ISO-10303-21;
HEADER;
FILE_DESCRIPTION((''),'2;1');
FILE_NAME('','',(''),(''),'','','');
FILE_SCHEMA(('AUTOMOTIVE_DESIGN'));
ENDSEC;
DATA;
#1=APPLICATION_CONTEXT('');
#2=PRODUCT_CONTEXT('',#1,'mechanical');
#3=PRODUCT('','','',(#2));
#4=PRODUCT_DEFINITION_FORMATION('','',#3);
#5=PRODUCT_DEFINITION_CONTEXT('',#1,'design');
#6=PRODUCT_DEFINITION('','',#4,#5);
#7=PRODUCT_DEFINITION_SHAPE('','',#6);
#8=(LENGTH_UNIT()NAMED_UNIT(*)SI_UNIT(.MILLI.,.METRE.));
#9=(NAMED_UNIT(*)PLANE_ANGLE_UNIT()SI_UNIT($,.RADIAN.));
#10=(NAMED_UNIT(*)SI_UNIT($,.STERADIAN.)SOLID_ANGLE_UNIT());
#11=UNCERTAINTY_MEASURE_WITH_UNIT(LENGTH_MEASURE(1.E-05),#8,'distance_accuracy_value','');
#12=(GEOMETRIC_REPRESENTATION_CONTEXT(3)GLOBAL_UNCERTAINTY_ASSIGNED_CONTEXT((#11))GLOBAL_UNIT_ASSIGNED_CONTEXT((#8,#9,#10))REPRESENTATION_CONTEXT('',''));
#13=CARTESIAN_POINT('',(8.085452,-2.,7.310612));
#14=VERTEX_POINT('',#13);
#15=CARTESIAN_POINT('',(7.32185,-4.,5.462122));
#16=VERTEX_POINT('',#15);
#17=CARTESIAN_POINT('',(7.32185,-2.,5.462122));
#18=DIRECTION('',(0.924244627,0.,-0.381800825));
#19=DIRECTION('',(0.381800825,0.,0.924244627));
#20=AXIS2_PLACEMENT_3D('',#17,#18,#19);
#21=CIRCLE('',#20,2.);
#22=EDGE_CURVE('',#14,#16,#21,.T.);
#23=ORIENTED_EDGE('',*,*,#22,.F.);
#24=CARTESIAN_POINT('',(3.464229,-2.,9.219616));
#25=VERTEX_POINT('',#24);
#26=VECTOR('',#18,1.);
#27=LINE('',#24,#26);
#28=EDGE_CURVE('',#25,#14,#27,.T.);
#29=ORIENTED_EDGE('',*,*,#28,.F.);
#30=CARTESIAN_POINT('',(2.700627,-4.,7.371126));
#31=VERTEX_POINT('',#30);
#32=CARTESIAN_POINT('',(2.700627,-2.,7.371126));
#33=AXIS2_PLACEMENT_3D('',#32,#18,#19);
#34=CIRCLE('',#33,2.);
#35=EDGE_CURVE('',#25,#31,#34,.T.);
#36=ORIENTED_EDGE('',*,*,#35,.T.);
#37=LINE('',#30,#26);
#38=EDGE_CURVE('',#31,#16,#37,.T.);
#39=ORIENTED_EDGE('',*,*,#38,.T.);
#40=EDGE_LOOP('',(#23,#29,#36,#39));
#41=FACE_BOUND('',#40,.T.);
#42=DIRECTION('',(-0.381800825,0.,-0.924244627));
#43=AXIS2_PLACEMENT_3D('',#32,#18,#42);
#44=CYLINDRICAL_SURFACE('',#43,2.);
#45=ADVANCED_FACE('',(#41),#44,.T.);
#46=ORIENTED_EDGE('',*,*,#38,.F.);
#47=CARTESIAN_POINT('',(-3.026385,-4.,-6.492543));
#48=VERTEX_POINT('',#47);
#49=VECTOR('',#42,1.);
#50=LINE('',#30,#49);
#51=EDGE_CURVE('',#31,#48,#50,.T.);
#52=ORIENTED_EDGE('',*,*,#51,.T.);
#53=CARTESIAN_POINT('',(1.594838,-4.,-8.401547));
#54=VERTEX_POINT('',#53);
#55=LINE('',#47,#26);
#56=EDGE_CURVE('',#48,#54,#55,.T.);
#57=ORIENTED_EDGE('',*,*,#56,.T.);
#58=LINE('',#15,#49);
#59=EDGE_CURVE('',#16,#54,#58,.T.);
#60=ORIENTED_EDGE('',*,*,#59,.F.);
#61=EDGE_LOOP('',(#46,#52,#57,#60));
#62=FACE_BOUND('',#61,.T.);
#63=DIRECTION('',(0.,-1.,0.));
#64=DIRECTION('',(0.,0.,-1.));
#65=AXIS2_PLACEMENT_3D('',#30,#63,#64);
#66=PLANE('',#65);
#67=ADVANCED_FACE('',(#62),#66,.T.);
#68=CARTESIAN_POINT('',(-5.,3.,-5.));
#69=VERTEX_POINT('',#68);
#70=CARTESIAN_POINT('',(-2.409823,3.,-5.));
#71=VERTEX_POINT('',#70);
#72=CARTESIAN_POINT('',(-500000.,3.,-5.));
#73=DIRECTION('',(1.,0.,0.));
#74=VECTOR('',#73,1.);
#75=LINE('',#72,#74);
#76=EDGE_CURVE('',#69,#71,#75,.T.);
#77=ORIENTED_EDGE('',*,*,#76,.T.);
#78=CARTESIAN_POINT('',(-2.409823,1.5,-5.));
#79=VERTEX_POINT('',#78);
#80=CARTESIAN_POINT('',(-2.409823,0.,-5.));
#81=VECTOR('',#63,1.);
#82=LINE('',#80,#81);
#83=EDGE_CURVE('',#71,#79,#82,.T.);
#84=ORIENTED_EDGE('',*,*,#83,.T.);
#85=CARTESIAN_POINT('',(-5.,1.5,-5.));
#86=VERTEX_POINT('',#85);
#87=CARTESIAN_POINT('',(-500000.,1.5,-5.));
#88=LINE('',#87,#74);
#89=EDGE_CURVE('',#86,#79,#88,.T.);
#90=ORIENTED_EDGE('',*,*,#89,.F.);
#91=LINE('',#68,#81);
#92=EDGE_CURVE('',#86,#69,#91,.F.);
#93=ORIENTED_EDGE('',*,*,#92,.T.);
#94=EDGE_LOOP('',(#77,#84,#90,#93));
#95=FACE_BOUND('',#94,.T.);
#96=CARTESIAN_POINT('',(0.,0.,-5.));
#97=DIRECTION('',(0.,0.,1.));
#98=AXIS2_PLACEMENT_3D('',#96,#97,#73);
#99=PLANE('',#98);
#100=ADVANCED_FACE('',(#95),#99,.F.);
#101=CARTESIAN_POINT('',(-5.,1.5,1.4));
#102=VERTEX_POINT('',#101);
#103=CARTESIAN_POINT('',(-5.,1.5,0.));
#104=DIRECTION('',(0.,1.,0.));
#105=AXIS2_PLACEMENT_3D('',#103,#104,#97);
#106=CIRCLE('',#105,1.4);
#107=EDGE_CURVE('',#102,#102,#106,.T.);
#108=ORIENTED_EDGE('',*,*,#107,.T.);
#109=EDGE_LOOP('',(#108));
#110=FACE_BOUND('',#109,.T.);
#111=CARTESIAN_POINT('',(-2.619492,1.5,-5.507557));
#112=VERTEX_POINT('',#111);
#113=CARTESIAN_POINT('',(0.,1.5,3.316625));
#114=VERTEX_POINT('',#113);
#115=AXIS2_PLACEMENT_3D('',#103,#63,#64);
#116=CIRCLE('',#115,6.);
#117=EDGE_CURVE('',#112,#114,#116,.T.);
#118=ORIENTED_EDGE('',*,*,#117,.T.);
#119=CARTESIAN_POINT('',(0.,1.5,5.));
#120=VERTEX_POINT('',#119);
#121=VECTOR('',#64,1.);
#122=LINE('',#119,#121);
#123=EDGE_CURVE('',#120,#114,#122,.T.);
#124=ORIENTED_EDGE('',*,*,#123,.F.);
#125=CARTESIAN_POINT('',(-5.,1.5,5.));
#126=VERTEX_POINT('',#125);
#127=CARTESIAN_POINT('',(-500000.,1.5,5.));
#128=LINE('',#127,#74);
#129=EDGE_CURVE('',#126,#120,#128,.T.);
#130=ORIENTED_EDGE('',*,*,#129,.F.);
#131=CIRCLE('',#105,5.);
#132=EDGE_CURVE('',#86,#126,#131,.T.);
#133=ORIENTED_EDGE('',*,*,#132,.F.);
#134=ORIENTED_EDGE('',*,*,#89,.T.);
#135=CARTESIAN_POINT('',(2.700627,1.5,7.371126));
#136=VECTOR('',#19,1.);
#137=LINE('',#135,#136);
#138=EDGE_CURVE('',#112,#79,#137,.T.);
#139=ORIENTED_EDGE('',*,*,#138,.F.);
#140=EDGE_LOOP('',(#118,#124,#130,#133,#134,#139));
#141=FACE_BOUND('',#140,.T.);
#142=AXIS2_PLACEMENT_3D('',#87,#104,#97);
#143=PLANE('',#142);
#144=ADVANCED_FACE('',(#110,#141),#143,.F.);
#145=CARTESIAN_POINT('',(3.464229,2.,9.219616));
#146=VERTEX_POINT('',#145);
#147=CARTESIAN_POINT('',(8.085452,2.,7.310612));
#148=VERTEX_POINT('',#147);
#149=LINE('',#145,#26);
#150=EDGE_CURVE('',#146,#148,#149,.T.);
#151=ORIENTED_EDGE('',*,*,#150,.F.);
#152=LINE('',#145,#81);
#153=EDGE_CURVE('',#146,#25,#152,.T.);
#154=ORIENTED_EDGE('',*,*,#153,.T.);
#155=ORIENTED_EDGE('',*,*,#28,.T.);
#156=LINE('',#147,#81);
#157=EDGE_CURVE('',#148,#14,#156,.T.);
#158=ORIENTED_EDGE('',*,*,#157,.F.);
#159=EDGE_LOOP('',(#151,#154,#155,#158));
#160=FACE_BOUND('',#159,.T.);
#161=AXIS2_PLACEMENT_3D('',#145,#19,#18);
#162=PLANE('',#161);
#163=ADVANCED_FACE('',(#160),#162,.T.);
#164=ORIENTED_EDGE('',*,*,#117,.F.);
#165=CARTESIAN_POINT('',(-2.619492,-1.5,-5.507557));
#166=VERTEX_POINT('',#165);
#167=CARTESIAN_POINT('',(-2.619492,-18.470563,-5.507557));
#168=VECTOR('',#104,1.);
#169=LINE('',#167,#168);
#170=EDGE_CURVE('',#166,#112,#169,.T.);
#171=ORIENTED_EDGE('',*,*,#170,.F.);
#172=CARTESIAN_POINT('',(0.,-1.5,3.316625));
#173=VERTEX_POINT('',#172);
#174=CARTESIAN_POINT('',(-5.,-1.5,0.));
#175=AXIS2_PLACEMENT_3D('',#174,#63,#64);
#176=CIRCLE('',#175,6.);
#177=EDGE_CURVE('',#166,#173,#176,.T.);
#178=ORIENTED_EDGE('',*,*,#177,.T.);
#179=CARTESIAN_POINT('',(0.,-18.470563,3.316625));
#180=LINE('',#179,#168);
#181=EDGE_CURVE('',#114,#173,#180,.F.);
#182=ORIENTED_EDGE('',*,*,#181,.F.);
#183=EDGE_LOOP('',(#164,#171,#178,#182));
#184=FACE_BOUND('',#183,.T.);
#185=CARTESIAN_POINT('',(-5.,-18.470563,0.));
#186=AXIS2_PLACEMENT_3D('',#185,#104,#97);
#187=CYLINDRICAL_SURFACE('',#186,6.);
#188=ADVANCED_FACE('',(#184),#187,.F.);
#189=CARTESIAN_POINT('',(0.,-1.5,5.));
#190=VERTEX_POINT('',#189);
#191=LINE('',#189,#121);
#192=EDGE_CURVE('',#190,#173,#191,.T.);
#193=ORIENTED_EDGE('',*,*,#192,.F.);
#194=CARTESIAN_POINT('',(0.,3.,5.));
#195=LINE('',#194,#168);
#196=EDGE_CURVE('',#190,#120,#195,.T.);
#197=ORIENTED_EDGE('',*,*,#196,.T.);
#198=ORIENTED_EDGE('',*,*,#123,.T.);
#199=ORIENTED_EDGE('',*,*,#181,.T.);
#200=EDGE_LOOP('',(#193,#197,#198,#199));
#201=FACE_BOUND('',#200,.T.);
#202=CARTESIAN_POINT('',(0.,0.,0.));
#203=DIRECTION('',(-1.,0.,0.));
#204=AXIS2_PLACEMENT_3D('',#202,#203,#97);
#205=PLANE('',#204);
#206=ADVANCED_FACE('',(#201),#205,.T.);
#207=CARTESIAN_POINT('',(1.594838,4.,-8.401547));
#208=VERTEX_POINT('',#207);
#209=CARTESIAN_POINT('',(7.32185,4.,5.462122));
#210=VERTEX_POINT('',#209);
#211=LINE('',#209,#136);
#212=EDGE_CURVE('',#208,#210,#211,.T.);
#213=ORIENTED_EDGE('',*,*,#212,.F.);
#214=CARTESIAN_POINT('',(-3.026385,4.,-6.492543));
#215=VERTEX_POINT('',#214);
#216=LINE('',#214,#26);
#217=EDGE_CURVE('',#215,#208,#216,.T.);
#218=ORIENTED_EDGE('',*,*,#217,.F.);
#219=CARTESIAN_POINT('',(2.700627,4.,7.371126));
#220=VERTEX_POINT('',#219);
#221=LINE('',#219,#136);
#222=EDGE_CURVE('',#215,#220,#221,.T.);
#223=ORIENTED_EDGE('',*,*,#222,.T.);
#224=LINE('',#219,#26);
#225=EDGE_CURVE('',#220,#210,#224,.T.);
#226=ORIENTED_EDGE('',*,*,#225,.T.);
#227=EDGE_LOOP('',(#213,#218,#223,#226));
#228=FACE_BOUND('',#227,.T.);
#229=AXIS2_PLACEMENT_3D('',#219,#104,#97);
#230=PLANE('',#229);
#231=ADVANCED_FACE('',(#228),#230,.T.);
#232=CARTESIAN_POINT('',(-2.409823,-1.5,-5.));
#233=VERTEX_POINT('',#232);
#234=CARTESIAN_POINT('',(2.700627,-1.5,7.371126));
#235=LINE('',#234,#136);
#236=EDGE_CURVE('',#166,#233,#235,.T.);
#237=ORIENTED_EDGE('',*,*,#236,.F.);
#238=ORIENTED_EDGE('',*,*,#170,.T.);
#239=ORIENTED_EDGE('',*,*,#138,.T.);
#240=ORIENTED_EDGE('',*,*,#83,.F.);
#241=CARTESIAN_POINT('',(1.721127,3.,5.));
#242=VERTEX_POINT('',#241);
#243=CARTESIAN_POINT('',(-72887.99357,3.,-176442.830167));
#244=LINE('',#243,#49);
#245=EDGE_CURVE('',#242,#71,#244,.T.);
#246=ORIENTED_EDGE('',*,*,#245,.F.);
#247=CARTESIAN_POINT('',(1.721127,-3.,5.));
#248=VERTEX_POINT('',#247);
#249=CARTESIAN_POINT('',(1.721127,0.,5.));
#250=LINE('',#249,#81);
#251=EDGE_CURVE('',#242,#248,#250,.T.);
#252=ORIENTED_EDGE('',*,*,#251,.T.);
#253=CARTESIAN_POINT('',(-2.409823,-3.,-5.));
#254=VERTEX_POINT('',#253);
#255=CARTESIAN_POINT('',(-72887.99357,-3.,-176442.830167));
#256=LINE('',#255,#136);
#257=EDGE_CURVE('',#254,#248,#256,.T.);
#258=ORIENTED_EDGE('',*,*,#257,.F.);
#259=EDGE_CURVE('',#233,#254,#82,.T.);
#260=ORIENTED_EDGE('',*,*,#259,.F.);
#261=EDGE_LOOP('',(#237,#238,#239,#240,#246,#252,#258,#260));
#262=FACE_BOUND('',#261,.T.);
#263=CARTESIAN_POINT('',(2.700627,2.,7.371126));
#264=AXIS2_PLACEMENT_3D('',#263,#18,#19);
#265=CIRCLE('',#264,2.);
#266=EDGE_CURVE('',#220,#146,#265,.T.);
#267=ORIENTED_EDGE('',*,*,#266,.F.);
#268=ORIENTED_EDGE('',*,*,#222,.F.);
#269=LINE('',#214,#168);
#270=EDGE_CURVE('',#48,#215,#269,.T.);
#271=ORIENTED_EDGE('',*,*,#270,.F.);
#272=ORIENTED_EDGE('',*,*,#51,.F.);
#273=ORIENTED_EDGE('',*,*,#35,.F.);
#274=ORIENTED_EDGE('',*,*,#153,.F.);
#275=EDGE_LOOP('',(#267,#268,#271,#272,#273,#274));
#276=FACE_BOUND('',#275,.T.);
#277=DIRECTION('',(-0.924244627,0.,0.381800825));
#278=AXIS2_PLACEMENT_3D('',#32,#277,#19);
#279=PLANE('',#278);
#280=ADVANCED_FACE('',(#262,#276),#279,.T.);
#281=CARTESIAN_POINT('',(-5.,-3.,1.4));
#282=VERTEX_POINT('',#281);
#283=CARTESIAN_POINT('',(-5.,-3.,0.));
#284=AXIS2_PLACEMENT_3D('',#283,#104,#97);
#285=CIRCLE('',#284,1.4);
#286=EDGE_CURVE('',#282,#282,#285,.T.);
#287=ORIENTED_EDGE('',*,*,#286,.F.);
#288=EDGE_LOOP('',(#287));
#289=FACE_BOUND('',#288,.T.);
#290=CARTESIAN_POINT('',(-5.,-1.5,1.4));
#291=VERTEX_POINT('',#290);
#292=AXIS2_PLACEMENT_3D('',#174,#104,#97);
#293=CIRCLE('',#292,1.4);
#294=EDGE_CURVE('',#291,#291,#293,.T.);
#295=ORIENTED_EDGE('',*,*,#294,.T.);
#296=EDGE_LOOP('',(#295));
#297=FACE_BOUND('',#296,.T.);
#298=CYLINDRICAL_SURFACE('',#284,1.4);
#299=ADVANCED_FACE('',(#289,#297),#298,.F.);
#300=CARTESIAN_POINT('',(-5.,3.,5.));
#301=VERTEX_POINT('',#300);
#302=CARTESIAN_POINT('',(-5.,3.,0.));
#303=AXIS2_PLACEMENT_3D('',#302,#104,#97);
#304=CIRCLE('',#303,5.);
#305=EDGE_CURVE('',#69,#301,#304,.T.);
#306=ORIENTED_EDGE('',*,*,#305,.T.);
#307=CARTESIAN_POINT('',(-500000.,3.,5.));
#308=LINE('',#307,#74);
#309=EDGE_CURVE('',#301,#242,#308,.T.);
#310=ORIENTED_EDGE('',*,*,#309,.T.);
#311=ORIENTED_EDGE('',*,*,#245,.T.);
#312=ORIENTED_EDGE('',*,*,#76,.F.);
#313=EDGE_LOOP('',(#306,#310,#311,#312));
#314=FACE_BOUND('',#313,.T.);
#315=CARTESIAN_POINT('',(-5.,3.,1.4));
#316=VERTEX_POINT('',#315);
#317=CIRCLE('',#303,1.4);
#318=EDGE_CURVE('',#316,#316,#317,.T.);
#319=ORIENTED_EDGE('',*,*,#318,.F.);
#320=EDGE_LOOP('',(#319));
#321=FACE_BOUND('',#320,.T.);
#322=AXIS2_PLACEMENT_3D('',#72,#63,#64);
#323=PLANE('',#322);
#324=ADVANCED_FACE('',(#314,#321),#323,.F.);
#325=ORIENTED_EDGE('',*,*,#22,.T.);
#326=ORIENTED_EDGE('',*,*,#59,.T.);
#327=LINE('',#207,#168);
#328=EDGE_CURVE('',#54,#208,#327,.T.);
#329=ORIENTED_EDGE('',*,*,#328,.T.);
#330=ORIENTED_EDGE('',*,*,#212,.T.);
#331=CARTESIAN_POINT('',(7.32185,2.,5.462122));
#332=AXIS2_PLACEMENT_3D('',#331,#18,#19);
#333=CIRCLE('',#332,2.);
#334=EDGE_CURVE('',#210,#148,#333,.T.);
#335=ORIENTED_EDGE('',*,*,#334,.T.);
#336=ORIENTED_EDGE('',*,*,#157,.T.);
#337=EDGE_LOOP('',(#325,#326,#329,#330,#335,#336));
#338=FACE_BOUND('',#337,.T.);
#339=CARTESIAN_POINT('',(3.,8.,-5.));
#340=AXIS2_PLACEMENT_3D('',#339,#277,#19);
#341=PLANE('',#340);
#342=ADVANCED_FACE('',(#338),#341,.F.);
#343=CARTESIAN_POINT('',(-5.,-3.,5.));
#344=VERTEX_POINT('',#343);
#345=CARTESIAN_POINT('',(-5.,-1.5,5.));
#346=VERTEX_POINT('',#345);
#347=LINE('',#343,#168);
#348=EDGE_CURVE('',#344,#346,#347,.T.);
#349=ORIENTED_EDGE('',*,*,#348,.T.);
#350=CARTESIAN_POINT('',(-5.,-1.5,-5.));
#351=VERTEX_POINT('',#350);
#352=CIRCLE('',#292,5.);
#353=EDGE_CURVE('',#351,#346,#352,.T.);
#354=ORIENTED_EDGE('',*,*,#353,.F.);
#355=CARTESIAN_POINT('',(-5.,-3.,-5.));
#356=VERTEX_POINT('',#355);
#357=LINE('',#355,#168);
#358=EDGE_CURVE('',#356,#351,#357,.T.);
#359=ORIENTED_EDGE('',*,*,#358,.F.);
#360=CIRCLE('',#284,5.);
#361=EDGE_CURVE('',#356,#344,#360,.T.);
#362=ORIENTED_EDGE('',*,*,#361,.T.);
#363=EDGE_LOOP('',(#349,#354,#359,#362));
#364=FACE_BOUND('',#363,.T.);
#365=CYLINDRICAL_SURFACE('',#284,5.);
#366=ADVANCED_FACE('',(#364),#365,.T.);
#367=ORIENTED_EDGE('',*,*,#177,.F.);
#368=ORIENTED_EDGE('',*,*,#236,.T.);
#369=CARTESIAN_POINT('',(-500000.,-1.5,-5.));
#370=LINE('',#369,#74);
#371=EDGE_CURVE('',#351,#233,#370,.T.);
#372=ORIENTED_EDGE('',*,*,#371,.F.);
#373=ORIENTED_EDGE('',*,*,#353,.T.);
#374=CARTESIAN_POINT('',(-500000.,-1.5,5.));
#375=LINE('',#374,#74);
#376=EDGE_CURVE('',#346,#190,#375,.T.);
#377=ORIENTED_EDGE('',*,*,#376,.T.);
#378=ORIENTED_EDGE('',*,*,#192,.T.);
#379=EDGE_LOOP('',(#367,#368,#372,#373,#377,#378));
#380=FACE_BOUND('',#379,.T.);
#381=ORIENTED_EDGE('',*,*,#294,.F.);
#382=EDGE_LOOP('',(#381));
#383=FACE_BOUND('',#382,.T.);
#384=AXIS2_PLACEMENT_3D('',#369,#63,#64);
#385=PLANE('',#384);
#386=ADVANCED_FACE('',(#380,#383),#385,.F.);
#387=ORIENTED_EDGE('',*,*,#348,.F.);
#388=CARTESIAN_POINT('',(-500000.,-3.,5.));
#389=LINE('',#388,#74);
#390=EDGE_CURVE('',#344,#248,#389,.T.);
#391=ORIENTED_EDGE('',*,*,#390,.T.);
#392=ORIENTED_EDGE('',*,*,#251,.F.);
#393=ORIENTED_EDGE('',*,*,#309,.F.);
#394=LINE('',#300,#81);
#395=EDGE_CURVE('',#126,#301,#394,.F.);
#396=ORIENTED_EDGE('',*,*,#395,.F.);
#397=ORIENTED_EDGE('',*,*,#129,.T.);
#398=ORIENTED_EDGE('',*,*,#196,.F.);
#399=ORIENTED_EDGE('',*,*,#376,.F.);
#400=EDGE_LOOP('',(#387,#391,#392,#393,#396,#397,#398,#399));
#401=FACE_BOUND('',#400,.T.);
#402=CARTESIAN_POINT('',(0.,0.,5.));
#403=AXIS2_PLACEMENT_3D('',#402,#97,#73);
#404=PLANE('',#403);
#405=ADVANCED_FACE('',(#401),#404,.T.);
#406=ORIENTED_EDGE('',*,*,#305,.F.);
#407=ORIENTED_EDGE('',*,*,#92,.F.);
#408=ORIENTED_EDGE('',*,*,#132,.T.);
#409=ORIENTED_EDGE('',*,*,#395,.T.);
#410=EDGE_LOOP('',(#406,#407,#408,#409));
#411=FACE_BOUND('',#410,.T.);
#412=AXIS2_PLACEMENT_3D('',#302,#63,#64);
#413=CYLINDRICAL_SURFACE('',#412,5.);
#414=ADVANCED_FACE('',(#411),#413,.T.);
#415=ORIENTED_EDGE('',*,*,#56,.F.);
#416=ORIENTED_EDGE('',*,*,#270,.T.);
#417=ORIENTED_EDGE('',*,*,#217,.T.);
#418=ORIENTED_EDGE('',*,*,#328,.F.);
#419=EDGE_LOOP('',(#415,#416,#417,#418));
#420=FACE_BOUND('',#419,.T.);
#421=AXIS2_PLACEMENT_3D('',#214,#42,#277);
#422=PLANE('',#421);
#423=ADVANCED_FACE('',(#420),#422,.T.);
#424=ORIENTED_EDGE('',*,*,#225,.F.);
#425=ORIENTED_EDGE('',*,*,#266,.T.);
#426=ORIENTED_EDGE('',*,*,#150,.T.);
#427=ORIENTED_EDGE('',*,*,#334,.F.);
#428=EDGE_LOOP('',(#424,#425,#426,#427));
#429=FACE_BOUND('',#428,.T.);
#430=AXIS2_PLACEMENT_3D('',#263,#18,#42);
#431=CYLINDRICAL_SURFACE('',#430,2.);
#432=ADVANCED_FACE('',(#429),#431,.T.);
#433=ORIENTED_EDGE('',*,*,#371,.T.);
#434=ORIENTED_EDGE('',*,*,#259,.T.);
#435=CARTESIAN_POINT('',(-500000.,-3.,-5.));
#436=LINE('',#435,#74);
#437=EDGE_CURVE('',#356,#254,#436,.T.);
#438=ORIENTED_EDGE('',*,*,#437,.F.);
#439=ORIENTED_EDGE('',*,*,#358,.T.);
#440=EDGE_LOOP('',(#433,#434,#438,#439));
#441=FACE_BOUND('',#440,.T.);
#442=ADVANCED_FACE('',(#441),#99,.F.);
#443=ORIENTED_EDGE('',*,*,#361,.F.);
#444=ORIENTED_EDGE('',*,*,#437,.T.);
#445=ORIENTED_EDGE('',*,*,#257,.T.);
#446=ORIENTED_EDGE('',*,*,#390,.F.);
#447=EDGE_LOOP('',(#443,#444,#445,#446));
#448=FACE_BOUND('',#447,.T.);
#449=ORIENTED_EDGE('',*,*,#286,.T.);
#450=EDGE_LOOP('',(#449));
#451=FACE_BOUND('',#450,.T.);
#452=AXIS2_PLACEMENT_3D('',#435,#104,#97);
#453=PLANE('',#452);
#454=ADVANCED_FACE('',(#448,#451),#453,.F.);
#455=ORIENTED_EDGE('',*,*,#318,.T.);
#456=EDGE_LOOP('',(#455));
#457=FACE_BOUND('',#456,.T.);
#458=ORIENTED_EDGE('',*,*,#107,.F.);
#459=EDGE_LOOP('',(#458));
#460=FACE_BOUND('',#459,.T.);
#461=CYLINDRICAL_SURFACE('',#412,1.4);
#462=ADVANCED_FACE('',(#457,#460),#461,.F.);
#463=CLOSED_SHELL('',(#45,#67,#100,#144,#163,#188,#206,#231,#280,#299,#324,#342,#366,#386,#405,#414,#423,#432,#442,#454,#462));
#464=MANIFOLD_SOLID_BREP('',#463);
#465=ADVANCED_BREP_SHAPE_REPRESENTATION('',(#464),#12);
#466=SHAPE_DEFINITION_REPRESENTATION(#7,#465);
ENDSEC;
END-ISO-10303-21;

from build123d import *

# Parameters (mm, degrees)
BOSS_EXTRUDE1_DEPTH          = 5
SKETCH2_R                    = 5
SKETCH2_R_2                  = 1.4
BOSS_EXTRUDE2_DEPTH          = 1.5
BOSS_EXTRUDE3_REACH          = 13.576
SKETCH4_W                    = 10
SKETCH4_H                    = 1.5
SKETCH6_R                    = 5
SKETCH6_R_2                  = 1.4
BOSS_EXTRUDE4_DEPTH          = 1.5
BOSS_EXTRUDE5_REACH          = 13.576
SKETCH5_W                    = 10
SKETCH5_H                    = 1.5
SCHIZZO1_W                   = 10
SCHIZZO1_H                   = 6
ESTRUSIONE_ESTRUSIONE2_DEPTH = 11
TAGLIO_ESTRUSIONE1_DEPTH     = 11
ESTRUSIONE_ESTRUSIONE3_DEPTH = 5
SCHIZZO4_R                   = 6
TAGLIO_ESTRUSIONE2_DEPTH     = 3


with BuildPart() as part:
    # Sketch1 → Boss-Extrude1 (new, symmetric)
    with BuildSketch(Plane.XY):
        with BuildLine():
            Line((0, 3), (0, 1.5))
            ThreePointArc((0, 1.5), (1.5, 0), (0, -1.5))
            Line((0, -1.5), (0, -3))
            ThreePointArc((0, -3), (3, 0), (0, 3))
        make_face()
    extrude(amount=BOSS_EXTRUDE1_DEPTH, both=True)


with BuildPart() as body_2:
    # Sketch2 → Boss-Extrude2 (new body)
    with BuildSketch(Plane(origin=(0, 1.5, 0), x_dir=(1, 0, 0), z_dir=(0, 1, 0))):
        with Locations(Location((-5, 0, 0), (0, 0, 270))):
            Circle(SKETCH2_R)
        with Locations(Location((-5, 0, 0), (0, 0, 270))):
            Circle(SKETCH2_R_2, mode=Mode.SUBTRACT)
    extrude(amount=BOSS_EXTRUDE2_DEPTH)

    # Sketch4 → Boss-Extrude3 (add, up to next)
    with BuildSketch(Plane.ZY, mode=Mode.PRIVATE) as boss_extrude3_sk1:
        with Locations((0, 2.25)):
            Rectangle(SKETCH4_W, SKETCH4_H)
    boss_extrude3_tool1 = extrude(boss_extrude3_sk1.sketch, amount=BOSS_EXTRUDE3_REACH, mode=Mode.PRIVATE) - body_2.part

    add(part.part)  # Boss-Extrude3 merges part
    add(boss_extrude3_tool1.solids().sort_by_distance((0, 2.25, 0))[0])
    add(boss_extrude3_tool1.solids().sort_by_distance((0, 2.25, 0))[1])


with BuildPart() as body_2_2:
    # Sketch6 → Boss-Extrude4 (new body)
    with BuildSketch(Plane(origin=(0, -1.5, 0), x_dir=(1, 0, 0), z_dir=(0, 1, 0))):
        with Locations(Location((-5, 0, 0), (0, 0, 270))):
            Circle(SKETCH6_R)
        with Locations(Location((-5, 0, 0), (0, 0, 270))):
            Circle(SKETCH6_R_2, mode=Mode.SUBTRACT)
    extrude(amount=-BOSS_EXTRUDE4_DEPTH)

    # Sketch5 → Boss-Extrude5 (add, up to next)
    with BuildSketch(Plane.ZY, mode=Mode.PRIVATE) as boss_extrude5_sk1:
        with Locations((0, -2.25)):
            Rectangle(SKETCH5_W, SKETCH5_H)
    boss_extrude5_tool1 = extrude(boss_extrude5_sk1.sketch, amount=BOSS_EXTRUDE5_REACH, mode=Mode.PRIVATE) - body_2_2.part

    add(body_2.part)  # Boss-Extrude5 merges body 2
    add(boss_extrude5_tool1.solids().sort_by_distance((0, -2.25, 0))[0])
    add(boss_extrude5_tool1.solids().sort_by_distance((0, -2.25, 0))[1])

    # Schizzo1 → Estrusione-Estrusione2 (add)
    with BuildSketch(Plane.ZY):
        Rectangle(SCHIZZO1_W, SCHIZZO1_H)
    extrude(amount=-ESTRUSIONE_ESTRUSIONE2_DEPTH)

    # Schizzo2 → Taglio-Estrusione1 (cut)
    with BuildSketch(Plane.XZ.offset(3)):
        Polygon((3, -5), (7.130949903, 5), (11, 5), (13.561973645, 5), (13.561973645, -5), align=None)
    extrude(amount=-TAGLIO_ESTRUSIONE1_DEPTH, mode=Mode.SUBTRACT)

    # Schizzo3 → Estrusione-Estrusione3 (add)
    with BuildSketch(Plane(origin=(4.327071195, 0, -1.787491434), x_dir=(-0.3818008251213657, 0, -0.9242446266744776), z_dir=(0.9242446266744775, 0, -0.38180082512136565))):
        with BuildLine():
            Line((-7.84382569, 4), (7.15617431, 4))
            Line((7.15617431, 4), (7.15617431, -4))
            Line((7.15617431, -4), (-7.84382569, -4))
            ThreePointArc((-7.84382569, -4), (-9.258039253, -3.414213562), (-9.84382569, -2))
            Line((-9.84382569, -2), (-9.84382569, 2))
            ThreePointArc((-9.84382569, 2), (-9.258039253, 3.414213562), (-7.84382569, 4))
        make_face()
    extrude(amount=-ESTRUSIONE_ESTRUSIONE3_DEPTH)

    # Schizzo4 → Taglio-Estrusione2 (cut)
    with BuildSketch(Plane.XZ.offset(-1.5)):
        with Locations((-5, 0)):
            Circle(SCHIZZO4_R)
    extrude(amount=TAGLIO_ESTRUSIONE2_DEPTH, mode=Mode.SUBTRACT)


solid = body_2_2.part
